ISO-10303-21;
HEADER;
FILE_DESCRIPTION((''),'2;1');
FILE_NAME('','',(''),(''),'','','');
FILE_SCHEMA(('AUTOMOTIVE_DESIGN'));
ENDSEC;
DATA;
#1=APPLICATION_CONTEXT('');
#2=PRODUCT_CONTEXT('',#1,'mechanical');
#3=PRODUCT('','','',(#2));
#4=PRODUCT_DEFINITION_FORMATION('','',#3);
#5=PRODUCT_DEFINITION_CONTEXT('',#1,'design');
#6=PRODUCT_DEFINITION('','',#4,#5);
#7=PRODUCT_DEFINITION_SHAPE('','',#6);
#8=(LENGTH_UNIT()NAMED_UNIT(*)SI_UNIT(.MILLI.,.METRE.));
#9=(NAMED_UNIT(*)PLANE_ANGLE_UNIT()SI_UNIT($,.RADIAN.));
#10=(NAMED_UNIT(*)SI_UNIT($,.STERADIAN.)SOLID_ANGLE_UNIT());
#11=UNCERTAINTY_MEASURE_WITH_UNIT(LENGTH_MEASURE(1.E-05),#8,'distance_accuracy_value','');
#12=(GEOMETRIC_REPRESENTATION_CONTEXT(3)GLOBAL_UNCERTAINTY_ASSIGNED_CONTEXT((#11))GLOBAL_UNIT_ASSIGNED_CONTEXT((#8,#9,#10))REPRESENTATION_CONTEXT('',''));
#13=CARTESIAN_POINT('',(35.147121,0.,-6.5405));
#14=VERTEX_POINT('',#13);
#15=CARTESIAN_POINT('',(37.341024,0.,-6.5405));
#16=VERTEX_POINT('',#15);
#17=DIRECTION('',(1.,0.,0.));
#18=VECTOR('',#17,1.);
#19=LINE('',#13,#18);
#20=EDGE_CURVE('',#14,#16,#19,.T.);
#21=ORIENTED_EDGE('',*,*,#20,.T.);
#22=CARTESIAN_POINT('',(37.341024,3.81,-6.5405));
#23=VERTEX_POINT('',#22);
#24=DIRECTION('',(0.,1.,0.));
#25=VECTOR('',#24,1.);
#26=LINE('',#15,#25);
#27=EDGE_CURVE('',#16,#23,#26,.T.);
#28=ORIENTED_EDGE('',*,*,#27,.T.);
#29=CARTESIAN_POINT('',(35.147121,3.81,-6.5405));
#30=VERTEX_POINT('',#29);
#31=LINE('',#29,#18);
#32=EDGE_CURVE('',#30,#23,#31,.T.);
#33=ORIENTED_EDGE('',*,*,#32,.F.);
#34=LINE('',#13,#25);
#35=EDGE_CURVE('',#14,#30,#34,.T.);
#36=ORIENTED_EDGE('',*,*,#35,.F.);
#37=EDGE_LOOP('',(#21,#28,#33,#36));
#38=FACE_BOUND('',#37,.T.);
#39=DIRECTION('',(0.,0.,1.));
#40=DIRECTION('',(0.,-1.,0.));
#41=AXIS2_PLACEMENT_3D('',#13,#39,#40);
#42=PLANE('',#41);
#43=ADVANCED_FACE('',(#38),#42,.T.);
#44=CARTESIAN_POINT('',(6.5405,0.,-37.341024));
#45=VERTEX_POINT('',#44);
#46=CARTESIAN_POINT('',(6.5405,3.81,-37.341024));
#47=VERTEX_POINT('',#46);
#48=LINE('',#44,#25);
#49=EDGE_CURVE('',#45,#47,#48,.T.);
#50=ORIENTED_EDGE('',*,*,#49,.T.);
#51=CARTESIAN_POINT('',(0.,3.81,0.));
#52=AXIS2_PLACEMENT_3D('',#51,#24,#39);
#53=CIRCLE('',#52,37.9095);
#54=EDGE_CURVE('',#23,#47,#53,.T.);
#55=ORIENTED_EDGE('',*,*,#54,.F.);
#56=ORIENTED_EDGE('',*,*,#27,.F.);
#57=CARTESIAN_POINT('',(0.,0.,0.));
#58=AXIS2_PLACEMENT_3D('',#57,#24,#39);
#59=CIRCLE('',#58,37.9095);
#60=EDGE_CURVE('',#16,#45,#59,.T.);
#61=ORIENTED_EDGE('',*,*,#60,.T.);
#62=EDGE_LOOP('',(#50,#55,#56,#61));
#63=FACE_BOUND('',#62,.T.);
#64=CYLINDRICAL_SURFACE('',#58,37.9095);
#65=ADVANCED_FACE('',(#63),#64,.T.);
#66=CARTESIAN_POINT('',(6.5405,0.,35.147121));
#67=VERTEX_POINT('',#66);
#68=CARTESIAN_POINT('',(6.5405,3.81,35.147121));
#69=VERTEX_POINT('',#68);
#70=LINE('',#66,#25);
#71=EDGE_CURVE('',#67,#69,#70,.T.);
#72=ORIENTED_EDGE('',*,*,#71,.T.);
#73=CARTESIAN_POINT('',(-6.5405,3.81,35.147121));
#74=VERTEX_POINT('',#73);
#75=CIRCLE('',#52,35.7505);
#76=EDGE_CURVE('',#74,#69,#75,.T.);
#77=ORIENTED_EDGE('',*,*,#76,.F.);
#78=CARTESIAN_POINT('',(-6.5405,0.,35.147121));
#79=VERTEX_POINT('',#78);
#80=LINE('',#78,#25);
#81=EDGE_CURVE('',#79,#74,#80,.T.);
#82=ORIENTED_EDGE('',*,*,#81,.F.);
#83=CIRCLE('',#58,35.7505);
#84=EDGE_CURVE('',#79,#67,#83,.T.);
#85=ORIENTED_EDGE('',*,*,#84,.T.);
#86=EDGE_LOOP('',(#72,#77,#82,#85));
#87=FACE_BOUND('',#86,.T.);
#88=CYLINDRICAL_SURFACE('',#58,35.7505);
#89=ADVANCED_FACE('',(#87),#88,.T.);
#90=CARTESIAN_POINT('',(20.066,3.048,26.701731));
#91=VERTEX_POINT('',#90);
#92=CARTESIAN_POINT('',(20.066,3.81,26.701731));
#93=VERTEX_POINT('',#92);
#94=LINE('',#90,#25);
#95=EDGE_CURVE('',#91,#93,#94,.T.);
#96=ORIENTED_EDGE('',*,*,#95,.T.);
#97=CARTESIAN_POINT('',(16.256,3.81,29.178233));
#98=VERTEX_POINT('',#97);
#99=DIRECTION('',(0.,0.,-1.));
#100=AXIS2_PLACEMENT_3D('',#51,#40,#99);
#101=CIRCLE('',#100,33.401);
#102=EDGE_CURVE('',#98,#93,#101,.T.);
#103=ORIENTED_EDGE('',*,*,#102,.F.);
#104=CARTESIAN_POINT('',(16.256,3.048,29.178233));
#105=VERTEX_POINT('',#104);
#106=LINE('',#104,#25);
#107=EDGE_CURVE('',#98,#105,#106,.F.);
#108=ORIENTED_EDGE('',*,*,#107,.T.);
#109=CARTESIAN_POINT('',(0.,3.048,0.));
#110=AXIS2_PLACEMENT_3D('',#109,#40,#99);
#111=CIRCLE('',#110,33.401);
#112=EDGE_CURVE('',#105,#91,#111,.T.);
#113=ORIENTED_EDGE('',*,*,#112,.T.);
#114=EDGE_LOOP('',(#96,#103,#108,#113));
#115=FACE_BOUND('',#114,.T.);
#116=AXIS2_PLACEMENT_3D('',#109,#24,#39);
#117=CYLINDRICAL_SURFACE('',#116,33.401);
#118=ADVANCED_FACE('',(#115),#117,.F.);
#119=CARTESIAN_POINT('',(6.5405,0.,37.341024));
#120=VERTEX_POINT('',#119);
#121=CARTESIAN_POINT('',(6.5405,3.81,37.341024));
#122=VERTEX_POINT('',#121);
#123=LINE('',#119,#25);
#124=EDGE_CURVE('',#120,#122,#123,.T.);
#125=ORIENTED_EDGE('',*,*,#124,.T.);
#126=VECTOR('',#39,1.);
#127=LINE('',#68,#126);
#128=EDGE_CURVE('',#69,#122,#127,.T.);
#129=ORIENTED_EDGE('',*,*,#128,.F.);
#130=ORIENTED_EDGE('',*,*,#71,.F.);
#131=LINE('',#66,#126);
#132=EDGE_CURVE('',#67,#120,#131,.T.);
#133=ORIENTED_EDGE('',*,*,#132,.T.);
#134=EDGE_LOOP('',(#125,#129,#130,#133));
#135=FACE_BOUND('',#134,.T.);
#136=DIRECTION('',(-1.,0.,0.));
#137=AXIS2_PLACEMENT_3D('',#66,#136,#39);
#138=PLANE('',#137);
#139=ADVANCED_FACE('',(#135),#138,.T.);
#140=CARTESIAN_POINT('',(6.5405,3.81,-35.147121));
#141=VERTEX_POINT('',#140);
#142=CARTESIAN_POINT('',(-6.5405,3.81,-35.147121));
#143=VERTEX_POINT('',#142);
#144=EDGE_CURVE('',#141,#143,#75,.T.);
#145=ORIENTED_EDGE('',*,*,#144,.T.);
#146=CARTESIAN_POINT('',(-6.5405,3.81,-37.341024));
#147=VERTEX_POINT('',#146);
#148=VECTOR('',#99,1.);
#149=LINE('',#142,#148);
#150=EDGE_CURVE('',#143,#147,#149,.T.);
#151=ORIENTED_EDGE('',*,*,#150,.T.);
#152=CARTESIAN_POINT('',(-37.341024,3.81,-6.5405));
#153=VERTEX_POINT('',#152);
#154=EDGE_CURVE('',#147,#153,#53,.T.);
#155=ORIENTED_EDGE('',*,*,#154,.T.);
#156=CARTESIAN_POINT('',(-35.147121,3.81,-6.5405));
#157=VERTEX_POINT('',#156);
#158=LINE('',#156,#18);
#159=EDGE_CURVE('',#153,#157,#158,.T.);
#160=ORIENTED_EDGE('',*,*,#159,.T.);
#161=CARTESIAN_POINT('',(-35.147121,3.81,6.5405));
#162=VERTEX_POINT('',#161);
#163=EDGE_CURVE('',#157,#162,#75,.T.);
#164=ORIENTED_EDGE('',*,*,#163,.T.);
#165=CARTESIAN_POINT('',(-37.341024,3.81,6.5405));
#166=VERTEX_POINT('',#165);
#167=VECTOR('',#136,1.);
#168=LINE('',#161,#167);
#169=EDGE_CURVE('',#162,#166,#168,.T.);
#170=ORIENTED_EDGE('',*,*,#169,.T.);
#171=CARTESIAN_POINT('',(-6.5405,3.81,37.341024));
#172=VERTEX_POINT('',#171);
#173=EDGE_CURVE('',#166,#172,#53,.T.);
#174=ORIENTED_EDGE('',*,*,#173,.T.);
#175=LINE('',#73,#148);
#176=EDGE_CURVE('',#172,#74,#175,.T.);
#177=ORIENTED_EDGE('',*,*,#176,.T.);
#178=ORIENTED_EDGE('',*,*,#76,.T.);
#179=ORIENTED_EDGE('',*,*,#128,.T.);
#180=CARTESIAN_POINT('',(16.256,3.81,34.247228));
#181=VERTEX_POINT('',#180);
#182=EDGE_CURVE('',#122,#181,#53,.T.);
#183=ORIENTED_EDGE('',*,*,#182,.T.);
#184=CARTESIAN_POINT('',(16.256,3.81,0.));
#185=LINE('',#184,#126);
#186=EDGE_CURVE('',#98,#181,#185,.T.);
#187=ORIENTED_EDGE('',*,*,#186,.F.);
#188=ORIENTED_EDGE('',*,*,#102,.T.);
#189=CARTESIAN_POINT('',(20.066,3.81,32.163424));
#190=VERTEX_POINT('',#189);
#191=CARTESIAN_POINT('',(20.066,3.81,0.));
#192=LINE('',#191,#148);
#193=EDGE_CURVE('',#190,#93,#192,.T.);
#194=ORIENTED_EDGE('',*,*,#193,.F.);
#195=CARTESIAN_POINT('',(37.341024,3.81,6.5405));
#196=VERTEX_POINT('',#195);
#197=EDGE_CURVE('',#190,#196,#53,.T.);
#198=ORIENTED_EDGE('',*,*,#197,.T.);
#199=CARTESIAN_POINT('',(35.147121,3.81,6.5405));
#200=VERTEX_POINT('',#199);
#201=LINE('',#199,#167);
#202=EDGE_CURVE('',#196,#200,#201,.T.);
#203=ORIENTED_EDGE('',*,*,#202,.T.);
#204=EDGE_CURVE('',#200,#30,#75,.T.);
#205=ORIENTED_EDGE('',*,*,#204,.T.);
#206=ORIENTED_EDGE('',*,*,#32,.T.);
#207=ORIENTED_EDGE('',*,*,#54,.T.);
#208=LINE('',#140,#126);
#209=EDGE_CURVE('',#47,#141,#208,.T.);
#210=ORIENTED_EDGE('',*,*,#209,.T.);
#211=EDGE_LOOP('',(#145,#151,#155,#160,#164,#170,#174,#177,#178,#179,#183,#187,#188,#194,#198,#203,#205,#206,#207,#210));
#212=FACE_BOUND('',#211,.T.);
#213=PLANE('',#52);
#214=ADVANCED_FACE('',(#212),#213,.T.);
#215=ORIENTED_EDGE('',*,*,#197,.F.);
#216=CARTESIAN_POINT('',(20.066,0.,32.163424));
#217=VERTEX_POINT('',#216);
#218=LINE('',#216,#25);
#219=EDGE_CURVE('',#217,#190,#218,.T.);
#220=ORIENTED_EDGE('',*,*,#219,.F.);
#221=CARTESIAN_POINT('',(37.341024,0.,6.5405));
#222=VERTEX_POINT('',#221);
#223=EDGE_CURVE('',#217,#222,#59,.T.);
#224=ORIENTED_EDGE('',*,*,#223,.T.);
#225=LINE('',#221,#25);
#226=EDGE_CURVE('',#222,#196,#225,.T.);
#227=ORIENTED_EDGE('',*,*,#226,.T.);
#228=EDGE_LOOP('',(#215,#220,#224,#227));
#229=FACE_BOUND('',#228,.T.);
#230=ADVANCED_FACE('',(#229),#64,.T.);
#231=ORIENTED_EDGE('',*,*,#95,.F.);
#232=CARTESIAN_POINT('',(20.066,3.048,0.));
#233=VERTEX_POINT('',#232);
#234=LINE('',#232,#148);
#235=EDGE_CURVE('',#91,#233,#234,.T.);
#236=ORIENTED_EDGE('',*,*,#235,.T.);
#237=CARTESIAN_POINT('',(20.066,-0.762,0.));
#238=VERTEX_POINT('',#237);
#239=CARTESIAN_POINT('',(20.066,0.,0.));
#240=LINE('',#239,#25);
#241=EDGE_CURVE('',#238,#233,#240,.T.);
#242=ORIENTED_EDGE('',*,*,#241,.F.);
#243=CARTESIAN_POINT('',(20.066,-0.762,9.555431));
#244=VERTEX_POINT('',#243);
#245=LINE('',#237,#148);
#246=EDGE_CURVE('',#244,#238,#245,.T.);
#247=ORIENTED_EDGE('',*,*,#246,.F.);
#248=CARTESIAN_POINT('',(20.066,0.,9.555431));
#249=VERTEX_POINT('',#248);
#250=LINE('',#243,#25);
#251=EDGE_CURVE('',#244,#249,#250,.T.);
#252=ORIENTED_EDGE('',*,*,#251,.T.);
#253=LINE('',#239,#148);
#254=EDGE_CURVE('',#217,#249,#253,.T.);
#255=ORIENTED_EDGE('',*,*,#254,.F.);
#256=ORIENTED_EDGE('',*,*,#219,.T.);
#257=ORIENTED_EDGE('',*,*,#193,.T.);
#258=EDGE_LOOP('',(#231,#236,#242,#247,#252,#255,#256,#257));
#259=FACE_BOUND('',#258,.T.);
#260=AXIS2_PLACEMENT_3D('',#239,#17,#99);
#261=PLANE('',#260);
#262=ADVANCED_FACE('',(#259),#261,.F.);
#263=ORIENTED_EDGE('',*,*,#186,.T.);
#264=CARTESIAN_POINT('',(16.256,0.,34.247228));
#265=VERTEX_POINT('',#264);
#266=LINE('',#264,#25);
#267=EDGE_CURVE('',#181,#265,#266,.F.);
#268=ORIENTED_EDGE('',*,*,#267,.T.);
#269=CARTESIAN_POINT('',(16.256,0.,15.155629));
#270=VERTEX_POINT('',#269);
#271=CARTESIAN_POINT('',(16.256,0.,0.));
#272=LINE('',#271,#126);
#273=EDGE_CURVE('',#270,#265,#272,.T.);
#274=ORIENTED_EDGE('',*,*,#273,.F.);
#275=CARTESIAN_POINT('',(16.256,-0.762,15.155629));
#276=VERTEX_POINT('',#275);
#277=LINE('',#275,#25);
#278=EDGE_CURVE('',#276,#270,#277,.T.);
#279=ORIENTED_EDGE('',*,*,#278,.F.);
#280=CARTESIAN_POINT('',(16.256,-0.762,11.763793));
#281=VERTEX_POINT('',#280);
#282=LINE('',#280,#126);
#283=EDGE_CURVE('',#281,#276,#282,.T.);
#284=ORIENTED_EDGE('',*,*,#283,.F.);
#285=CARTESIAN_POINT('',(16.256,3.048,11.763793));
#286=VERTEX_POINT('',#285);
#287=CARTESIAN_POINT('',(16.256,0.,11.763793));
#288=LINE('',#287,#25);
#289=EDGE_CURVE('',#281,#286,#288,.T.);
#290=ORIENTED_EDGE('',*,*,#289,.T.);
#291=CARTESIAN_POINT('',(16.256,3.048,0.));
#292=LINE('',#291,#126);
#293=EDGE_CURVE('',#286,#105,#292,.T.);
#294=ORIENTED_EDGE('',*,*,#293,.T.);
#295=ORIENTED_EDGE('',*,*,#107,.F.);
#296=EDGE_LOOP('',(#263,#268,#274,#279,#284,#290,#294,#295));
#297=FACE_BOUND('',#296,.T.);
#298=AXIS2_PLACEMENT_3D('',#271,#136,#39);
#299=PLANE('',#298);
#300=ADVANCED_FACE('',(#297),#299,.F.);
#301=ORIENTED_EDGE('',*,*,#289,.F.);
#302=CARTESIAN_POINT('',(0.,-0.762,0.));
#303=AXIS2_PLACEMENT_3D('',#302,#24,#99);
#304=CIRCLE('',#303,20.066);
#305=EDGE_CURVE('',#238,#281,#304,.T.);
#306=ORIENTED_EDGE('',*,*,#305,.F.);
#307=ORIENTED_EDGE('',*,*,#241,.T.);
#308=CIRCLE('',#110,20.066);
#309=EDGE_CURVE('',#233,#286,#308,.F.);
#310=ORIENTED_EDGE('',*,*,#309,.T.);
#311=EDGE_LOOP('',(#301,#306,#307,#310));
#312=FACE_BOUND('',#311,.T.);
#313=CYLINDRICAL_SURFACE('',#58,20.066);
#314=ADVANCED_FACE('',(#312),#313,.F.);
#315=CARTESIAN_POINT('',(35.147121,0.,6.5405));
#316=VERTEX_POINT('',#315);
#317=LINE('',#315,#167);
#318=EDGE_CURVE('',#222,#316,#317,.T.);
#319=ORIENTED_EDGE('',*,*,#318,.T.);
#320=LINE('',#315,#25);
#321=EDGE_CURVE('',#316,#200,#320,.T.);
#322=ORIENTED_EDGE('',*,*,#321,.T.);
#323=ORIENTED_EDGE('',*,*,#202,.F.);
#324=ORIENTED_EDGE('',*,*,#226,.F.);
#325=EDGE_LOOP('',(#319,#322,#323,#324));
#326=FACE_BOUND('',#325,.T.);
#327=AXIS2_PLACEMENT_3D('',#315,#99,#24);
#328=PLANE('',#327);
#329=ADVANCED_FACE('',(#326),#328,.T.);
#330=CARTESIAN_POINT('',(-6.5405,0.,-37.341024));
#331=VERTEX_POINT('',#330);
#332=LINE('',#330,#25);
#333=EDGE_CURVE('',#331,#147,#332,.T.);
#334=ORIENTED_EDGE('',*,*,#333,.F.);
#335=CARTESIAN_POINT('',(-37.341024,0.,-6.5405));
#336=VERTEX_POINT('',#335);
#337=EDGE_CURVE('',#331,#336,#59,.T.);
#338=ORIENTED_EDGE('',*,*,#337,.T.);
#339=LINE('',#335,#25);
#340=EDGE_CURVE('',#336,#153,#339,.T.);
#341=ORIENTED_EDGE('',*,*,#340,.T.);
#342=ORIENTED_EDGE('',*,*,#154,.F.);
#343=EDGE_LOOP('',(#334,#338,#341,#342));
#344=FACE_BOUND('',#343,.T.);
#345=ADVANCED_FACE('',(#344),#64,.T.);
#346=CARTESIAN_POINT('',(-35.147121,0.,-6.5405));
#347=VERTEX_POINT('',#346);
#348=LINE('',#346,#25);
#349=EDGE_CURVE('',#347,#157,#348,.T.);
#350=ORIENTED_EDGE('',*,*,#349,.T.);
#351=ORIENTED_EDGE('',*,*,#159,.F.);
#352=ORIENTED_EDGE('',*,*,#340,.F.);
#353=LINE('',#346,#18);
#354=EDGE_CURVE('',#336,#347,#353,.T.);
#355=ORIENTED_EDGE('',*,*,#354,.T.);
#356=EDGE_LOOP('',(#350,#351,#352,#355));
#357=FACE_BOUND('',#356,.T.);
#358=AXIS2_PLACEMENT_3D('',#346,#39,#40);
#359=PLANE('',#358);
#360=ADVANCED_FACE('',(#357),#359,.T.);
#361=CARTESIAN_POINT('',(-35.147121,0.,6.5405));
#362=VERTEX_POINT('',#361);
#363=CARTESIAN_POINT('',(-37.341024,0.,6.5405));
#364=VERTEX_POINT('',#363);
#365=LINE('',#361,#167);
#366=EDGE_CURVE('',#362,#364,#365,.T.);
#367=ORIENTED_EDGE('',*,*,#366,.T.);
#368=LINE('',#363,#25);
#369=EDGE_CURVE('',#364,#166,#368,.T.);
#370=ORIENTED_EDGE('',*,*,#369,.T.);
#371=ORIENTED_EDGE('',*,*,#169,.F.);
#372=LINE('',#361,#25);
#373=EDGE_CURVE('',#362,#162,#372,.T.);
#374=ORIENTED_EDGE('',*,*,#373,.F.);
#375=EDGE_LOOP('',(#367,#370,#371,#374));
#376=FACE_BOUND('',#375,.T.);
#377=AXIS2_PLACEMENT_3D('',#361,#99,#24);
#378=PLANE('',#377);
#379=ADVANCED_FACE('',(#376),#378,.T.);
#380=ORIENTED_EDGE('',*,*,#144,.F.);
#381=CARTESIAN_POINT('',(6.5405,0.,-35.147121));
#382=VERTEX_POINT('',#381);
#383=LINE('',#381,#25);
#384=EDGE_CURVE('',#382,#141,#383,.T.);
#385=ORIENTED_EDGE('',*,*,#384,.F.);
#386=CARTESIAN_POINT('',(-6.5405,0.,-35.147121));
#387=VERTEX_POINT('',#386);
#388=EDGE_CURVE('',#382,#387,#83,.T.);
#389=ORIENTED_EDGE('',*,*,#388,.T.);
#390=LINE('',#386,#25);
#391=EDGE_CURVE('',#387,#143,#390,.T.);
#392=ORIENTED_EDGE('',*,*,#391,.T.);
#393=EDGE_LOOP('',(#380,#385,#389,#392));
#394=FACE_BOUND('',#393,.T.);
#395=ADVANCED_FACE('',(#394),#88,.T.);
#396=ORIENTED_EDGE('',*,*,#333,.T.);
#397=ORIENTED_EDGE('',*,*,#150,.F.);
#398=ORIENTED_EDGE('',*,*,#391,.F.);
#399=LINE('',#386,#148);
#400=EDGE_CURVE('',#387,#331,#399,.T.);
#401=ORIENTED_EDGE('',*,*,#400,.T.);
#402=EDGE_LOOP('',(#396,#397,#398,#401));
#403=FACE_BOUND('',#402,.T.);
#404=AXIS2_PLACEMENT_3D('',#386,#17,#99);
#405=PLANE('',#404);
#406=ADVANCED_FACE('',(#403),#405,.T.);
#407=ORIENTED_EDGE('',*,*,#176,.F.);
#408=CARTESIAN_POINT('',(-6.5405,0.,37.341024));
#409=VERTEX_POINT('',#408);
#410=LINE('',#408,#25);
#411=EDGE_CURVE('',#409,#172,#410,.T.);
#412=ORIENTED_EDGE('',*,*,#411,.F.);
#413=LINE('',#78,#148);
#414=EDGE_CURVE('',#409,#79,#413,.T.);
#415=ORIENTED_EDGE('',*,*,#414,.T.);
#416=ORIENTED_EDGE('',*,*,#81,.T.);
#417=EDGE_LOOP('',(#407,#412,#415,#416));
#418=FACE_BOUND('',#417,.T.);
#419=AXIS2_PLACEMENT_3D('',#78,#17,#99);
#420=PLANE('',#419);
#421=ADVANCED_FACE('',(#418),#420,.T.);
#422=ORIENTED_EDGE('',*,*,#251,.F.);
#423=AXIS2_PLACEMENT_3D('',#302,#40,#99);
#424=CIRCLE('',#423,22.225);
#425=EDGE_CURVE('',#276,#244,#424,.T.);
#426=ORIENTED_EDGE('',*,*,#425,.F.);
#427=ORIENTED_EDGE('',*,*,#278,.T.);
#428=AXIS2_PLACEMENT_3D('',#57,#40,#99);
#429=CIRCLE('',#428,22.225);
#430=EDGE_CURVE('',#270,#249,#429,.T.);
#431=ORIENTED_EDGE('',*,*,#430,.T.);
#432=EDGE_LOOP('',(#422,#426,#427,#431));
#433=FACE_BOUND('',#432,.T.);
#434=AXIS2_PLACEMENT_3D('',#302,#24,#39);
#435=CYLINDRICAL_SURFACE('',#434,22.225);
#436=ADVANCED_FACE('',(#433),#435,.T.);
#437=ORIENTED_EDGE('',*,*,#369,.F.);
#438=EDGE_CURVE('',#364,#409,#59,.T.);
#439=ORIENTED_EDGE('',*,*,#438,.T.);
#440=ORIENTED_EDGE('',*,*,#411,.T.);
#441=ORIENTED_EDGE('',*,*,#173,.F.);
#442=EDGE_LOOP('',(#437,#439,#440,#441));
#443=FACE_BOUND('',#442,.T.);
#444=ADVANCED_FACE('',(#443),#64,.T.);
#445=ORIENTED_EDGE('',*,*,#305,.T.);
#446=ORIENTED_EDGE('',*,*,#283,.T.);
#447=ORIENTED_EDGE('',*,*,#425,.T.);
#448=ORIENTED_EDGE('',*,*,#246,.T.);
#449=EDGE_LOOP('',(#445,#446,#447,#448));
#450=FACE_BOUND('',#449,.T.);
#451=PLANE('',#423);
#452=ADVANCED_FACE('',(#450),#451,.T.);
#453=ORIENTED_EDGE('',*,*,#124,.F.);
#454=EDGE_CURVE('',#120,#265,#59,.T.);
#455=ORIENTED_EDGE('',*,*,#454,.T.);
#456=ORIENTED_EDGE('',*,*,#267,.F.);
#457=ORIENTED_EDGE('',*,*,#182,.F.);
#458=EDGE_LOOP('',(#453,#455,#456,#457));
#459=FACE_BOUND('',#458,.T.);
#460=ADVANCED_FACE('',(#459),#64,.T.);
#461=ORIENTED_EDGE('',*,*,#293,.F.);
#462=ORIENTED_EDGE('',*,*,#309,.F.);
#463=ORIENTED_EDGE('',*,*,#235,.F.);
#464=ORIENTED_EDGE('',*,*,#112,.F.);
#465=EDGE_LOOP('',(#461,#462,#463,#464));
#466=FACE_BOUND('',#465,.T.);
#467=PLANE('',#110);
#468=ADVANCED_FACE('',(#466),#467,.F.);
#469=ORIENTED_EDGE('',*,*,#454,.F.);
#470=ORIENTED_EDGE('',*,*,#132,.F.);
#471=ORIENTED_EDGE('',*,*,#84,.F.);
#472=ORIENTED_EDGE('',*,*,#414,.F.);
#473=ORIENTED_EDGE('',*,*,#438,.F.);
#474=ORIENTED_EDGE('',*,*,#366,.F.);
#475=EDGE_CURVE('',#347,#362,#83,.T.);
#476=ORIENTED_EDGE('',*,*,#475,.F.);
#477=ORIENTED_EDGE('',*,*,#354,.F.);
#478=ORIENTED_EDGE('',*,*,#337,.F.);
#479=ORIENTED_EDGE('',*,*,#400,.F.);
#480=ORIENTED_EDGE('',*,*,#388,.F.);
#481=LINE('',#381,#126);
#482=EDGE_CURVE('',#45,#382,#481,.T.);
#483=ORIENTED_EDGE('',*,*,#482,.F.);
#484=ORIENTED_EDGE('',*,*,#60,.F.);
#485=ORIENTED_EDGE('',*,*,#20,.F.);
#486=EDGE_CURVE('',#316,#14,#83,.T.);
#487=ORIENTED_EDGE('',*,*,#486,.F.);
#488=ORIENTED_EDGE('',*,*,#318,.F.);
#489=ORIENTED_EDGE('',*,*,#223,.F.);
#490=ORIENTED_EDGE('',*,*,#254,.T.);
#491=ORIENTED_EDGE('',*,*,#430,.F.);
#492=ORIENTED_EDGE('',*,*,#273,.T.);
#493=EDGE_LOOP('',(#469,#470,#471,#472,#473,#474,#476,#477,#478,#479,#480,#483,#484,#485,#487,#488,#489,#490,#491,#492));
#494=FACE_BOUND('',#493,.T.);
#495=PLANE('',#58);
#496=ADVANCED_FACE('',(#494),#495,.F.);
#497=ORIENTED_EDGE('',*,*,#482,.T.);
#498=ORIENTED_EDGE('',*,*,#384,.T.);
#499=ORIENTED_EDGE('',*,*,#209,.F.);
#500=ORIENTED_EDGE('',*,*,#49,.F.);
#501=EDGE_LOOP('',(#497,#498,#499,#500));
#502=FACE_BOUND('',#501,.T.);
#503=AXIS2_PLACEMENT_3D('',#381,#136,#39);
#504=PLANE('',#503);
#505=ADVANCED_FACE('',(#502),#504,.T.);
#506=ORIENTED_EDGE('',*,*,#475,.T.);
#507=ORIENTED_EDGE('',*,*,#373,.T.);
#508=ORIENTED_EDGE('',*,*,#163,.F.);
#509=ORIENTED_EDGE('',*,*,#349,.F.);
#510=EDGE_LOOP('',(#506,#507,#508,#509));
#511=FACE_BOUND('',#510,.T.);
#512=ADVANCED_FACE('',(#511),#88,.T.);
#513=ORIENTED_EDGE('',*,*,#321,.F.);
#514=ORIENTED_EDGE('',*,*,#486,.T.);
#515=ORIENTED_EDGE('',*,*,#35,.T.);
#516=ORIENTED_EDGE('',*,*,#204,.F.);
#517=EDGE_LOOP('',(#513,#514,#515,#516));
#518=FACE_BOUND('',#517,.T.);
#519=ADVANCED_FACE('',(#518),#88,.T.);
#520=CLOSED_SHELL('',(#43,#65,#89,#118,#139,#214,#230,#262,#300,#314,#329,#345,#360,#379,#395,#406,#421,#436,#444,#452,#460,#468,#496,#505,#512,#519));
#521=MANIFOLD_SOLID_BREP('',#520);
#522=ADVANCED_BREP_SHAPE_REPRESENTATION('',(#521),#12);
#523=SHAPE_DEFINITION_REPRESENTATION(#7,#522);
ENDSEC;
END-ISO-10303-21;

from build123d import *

# Parameters (mm, degrees)
SKETCH1_R           = 15.24
CUT_EXTRUDE1_START  = -3.81
CUT_EXTRUDE1_DEPTH  = 3.81
SKETCH17_R          = 33.401
CUT_EXTRUDE4_DEPTH  = 0.762
BOSS_EXTRUDE1_DEPTH = 0.762


with BuildPart() as part:
    # Sweep1: sweep along a path in Sketch14
    with BuildLine(Plane(origin=(0, 0, 0), x_dir=(0, 0, -1), z_dir=(1, 0, 0))) as sweep1_path:
        Line((35.814, 0), (35.814, 3.81))
    # Sketch1 → Sweep1 (sweep)
    with BuildSketch(Plane(origin=(0, 0, 0), x_dir=(1, 0, 0), z_dir=(0, 1, 0))):
        with BuildLine():
            Line((35.147120935, 6.5405), (37.341023687, 6.5405))
            ThreePointArc((37.341023687, 6.5405), (26.806064521, 26.806064521), (6.5405, 37.341023687))
            Line((6.5405, 37.341023687), (6.5405, 35.147120935))
            ThreePointArc((6.5405, 35.147120935), (0, 35.7505), (-6.5405, 35.147120935))
            Line((-6.5405, 35.147120935), (-6.5405, 37.341023687))
            ThreePointArc((-6.5405, 37.341023687), (-26.806064521, 26.806064521), (-37.341023687, 6.5405))
            Line((-37.341023687, 6.5405), (-35.147120935, 6.5405))
            ThreePointArc((-35.147120935, 6.5405), (-35.7505, 0), (-35.147120935, -6.5405))
            Line((-35.147120935, -6.5405), (-37.341023687, -6.5405))
            ThreePointArc((-37.341023687, -6.5405), (-26.806064521, -26.806064521), (-6.5405, -37.341023687))
            Line((-6.5405, -37.341023687), (-6.5405, -35.147120935))
            ThreePointArc((-6.5405, -35.147120935), (0, -35.7505), (6.5405, -35.147120935))
            Line((6.5405, -35.147120935), (6.5405, -37.341023687))
            ThreePointArc((6.5405, -37.341023687), (26.806064521, -26.806064521), (37.341023687, -6.5405))
            Line((37.341023687, -6.5405), (35.147120935, -6.5405))
            ThreePointArc((35.147120935, -6.5405), (35.7505, 0), (35.147120935, 6.5405))
        make_face()
        Circle(SKETCH1_R, mode=Mode.SUBTRACT)
    sweep(path=sweep1_path.line)

    # Sketch2 → Cut-Extrude1 (cut)
    with BuildSketch(Plane.XZ.offset(CUT_EXTRUDE1_START)):
        with BuildLine():
            Line((16.256, 37.235541419), (16.256, 11.763792756))
            ThreePointArc((16.256, 11.763792756), (-19.089751858, -6.182696014), (20.066, 0))
            Line((20.066, 0), (20.066, 35.328440735))
            ThreePointArc((20.066, 35.328440735), (18.186016036, 36.331968038), (16.256, 37.235541419))
        make_face()
    extrude(amount=CUT_EXTRUDE1_DEPTH, mode=Mode.SUBTRACT)

    # Sketch17 → Cut-Extrude4 (cut)
    with BuildSketch(Plane.XZ.offset(-3.81)):
        Circle(SKETCH17_R)
    extrude(amount=CUT_EXTRUDE4_DEPTH, mode=Mode.SUBTRACT)

    # Sketch19 → Boss-Extrude1 (add)
    with BuildSketch(Plane.XZ):
        with BuildLine():
            Line((16.256, 11.763792756), (16.256, 15.155628954))
            ThreePointArc((16.256, 15.155628954), (-18.375594526, -12.501525939), (20.066, 9.555431387))
            Line((20.066, 9.555431387), (20.066, 0))
            ThreePointArc((20.066, 0), (-19.089751858, -6.182696014), (16.256, 11.763792756))
        make_face()
    extrude(amount=BOSS_EXTRUDE1_DEPTH)


solid = part.part
